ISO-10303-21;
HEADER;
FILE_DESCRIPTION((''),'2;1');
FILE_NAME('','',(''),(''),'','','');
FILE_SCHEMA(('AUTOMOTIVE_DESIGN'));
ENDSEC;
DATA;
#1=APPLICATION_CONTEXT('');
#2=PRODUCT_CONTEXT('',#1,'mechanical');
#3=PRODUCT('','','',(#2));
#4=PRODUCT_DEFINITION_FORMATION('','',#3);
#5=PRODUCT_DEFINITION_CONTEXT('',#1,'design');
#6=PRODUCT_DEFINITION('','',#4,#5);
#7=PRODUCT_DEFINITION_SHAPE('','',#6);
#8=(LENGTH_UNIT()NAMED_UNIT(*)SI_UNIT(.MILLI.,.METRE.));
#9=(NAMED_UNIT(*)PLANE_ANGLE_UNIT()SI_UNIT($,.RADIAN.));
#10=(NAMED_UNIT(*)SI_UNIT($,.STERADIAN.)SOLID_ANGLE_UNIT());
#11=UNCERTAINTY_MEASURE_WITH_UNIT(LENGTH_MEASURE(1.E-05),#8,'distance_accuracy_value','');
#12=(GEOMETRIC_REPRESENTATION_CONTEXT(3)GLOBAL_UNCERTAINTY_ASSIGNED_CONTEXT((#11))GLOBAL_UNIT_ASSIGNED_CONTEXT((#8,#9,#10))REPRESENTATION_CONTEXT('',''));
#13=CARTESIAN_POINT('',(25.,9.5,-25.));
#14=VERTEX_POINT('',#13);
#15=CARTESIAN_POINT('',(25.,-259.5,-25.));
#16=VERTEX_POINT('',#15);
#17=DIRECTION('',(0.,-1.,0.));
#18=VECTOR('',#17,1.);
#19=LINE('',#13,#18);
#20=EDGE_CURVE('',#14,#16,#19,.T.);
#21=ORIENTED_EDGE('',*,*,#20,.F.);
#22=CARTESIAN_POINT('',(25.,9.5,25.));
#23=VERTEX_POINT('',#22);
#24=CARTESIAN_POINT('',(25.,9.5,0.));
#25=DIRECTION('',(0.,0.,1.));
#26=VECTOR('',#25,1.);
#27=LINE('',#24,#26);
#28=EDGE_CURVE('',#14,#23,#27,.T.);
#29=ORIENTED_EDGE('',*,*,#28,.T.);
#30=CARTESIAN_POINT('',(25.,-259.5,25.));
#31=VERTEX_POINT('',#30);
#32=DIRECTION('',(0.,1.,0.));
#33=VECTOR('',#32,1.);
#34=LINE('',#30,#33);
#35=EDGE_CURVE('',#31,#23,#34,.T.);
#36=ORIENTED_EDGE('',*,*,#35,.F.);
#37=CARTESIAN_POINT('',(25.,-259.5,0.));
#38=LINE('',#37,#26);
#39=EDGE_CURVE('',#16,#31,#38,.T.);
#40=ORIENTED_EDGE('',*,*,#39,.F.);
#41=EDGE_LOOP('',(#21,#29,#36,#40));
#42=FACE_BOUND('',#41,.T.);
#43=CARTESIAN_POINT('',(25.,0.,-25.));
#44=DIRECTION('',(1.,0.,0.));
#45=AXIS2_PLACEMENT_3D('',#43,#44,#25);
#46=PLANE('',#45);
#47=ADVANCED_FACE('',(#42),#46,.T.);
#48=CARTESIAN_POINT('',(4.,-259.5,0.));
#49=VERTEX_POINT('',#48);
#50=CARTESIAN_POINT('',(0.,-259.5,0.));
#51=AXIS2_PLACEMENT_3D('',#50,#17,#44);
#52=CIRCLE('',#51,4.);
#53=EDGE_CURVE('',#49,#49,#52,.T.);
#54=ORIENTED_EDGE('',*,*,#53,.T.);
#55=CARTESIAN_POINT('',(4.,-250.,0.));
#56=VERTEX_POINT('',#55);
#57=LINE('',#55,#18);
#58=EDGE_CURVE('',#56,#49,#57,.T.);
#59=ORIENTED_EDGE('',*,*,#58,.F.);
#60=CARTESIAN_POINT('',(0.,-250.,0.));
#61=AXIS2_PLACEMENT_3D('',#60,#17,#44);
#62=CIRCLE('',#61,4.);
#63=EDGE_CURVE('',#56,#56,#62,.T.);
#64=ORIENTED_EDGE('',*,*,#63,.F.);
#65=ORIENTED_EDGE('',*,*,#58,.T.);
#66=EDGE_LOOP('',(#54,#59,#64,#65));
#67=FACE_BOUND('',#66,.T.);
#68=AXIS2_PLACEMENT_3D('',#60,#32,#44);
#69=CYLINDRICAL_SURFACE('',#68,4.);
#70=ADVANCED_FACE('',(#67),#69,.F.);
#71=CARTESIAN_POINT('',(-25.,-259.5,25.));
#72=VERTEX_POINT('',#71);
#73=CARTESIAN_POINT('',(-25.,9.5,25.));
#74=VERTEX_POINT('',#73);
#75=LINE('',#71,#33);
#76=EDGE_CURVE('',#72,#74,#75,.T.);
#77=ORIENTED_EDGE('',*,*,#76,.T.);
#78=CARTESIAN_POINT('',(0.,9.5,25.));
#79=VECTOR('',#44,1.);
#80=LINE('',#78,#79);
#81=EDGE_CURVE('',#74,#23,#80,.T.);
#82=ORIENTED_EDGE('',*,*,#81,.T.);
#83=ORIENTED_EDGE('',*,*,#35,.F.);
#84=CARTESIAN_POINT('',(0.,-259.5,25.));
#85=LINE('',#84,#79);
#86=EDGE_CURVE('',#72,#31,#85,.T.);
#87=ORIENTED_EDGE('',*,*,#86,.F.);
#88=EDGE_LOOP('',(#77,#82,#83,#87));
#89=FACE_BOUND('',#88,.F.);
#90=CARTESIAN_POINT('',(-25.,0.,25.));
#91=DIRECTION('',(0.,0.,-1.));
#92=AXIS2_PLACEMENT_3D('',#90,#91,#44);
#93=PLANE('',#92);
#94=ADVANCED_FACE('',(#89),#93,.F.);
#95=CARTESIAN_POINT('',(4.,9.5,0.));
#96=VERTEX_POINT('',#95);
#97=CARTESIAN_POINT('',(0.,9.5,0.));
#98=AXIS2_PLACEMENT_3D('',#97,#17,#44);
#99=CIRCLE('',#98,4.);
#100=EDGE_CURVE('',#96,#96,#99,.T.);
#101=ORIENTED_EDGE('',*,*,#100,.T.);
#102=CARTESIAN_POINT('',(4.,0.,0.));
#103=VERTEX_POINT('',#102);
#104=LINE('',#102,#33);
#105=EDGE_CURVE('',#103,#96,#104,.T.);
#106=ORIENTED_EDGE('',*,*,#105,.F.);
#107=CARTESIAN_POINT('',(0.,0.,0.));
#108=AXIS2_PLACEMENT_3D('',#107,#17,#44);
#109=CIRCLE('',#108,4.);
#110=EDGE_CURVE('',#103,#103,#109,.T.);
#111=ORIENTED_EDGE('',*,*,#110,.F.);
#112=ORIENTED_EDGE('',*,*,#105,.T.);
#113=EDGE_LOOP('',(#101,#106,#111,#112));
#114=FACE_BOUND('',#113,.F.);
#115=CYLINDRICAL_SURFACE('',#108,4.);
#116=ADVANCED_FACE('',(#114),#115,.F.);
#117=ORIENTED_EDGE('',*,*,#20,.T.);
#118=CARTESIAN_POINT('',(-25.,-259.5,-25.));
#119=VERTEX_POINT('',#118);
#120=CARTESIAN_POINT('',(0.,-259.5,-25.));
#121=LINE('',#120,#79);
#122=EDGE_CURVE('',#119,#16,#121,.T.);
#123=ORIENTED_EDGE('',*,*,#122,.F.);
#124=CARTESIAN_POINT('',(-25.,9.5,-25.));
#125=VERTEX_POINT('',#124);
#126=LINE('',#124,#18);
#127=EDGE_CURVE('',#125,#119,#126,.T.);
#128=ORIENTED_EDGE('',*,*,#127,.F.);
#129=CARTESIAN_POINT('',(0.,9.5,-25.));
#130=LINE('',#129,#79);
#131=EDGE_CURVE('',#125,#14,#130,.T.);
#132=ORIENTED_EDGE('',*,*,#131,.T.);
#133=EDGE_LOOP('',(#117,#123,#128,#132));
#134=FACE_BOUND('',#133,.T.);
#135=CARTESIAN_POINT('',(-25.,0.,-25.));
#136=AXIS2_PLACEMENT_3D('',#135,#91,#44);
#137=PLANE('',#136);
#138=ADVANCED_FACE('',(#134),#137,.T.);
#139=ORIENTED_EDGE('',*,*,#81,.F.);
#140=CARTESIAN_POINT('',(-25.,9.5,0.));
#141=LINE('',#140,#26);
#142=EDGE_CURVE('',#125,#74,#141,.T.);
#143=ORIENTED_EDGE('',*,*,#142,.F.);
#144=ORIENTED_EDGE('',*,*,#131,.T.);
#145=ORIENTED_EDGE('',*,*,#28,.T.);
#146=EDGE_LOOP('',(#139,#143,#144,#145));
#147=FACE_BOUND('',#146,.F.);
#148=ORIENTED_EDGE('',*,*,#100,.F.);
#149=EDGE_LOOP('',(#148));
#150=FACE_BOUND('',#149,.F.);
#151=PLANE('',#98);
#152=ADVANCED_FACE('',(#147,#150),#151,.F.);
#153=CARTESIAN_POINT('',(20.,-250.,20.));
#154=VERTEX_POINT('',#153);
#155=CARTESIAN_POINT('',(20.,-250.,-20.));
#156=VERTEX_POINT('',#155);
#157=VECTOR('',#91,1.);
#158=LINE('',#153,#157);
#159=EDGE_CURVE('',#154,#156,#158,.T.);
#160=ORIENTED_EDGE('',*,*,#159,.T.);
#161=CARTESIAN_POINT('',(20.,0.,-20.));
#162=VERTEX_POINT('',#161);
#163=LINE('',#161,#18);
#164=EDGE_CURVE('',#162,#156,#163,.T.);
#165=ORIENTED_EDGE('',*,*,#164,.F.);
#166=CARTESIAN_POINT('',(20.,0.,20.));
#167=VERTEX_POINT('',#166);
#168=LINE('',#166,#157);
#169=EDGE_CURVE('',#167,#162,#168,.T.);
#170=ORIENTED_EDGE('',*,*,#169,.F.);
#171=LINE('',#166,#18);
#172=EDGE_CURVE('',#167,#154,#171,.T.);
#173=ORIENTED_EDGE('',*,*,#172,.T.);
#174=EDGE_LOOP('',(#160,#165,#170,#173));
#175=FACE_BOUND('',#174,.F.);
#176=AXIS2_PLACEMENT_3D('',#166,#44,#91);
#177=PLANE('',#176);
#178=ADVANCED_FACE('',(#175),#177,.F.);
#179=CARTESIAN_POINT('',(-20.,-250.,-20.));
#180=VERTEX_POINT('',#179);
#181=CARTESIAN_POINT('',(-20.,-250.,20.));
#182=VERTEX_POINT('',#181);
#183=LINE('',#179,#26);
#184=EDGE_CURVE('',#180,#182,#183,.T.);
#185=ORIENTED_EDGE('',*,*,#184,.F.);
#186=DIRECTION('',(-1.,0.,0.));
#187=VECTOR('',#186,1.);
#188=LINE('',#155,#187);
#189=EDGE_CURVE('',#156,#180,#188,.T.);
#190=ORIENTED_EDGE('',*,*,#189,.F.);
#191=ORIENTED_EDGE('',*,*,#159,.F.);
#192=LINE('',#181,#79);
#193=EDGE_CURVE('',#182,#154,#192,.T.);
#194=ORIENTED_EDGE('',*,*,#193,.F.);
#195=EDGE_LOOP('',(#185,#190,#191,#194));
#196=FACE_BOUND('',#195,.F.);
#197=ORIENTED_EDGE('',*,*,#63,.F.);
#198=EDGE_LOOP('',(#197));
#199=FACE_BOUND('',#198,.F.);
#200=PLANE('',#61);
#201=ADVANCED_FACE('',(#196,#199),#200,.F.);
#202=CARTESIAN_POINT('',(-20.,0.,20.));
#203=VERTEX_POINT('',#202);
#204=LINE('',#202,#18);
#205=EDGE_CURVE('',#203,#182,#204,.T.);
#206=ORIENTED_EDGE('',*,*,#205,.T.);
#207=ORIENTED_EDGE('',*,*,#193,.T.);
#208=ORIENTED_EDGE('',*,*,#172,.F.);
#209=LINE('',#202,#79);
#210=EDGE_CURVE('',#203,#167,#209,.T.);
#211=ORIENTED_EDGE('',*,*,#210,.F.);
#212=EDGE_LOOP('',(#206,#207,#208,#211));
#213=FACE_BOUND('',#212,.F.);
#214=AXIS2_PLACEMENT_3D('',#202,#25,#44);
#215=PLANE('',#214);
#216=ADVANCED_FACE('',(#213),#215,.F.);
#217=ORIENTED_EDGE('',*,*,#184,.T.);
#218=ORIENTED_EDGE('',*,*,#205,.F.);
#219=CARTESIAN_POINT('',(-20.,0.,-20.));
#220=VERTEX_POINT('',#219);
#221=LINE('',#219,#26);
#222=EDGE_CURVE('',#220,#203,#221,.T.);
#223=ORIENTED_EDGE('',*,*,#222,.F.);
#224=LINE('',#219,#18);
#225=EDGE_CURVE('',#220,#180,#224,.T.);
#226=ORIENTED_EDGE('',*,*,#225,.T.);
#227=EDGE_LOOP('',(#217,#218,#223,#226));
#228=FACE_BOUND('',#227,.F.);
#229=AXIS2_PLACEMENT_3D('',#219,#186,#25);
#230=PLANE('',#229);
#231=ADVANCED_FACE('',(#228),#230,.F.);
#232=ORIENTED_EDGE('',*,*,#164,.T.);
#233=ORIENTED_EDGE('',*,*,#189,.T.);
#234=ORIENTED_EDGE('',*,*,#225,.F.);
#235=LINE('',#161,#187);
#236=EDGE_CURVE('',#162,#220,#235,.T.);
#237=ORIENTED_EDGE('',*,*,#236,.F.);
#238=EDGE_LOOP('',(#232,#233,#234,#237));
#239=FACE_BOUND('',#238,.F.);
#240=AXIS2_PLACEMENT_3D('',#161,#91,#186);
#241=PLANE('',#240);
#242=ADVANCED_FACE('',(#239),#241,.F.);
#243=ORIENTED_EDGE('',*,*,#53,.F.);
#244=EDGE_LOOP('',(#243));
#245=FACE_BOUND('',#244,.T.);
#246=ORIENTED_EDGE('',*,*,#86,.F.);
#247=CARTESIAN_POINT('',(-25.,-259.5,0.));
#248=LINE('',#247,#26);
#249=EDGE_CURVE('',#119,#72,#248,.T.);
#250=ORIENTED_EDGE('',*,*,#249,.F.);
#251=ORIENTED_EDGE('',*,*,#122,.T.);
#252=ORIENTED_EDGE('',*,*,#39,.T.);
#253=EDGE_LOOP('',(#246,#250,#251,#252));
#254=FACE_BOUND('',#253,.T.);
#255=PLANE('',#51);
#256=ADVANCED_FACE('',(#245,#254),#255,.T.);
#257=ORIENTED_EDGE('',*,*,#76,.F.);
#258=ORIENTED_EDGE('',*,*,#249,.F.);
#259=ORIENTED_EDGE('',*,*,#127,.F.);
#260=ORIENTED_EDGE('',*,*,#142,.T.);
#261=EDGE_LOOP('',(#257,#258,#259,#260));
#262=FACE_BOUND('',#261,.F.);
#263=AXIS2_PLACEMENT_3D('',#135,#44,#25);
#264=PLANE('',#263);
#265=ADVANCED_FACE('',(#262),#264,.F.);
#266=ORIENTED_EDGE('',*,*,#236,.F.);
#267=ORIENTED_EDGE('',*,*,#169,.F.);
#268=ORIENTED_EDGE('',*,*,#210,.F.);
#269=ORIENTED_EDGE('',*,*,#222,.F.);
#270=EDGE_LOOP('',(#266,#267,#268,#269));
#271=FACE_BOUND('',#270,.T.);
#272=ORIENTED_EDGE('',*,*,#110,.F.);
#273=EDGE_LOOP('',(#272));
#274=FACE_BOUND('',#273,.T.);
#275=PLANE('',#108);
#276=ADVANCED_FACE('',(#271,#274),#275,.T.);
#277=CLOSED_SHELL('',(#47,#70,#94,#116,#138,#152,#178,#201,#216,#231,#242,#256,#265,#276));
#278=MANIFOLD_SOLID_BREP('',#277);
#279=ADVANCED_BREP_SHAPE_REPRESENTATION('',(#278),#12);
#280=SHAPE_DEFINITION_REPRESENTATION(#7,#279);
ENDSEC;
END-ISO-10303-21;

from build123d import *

# Parameters (mm, degrees)
F1_DEPTH = 250
F2_W     = 50
F2_H     = 50
F2_R     = 4
F3_DEPTH = 9.5
F4_W     = 50
F4_H     = 50
F4_R     = 4
F5_DEPTH = 9.5


with BuildPart() as f1:
    # F0 (on Front) → F1 (new body)
    with BuildSketch(Plane.XZ):
        Polygon((25, -25), (25, 0), (25, 25), (-25, 25), (-25, -25), align=None)
        Polygon((20, -20), (0, -20), (-20, -20), (-20, 20), (20, 20), align=None, mode=Mode.SUBTRACT)
    extrude(amount=F1_DEPTH)

    # F2 (on face) → F3 (join)
    with BuildSketch(Plane.XZ.offset(250)):
        Rectangle(F2_W, F2_H)
        Circle(F2_R, mode=Mode.SUBTRACT)
    extrude(amount=F3_DEPTH)

    # F4 (on face) → F5 (join)
    with BuildSketch(Plane.XZ):
        Rectangle(F4_W, F4_H)
        Circle(F4_R, mode=Mode.SUBTRACT)
    extrude(amount=-F5_DEPTH)


solid = f1.part
